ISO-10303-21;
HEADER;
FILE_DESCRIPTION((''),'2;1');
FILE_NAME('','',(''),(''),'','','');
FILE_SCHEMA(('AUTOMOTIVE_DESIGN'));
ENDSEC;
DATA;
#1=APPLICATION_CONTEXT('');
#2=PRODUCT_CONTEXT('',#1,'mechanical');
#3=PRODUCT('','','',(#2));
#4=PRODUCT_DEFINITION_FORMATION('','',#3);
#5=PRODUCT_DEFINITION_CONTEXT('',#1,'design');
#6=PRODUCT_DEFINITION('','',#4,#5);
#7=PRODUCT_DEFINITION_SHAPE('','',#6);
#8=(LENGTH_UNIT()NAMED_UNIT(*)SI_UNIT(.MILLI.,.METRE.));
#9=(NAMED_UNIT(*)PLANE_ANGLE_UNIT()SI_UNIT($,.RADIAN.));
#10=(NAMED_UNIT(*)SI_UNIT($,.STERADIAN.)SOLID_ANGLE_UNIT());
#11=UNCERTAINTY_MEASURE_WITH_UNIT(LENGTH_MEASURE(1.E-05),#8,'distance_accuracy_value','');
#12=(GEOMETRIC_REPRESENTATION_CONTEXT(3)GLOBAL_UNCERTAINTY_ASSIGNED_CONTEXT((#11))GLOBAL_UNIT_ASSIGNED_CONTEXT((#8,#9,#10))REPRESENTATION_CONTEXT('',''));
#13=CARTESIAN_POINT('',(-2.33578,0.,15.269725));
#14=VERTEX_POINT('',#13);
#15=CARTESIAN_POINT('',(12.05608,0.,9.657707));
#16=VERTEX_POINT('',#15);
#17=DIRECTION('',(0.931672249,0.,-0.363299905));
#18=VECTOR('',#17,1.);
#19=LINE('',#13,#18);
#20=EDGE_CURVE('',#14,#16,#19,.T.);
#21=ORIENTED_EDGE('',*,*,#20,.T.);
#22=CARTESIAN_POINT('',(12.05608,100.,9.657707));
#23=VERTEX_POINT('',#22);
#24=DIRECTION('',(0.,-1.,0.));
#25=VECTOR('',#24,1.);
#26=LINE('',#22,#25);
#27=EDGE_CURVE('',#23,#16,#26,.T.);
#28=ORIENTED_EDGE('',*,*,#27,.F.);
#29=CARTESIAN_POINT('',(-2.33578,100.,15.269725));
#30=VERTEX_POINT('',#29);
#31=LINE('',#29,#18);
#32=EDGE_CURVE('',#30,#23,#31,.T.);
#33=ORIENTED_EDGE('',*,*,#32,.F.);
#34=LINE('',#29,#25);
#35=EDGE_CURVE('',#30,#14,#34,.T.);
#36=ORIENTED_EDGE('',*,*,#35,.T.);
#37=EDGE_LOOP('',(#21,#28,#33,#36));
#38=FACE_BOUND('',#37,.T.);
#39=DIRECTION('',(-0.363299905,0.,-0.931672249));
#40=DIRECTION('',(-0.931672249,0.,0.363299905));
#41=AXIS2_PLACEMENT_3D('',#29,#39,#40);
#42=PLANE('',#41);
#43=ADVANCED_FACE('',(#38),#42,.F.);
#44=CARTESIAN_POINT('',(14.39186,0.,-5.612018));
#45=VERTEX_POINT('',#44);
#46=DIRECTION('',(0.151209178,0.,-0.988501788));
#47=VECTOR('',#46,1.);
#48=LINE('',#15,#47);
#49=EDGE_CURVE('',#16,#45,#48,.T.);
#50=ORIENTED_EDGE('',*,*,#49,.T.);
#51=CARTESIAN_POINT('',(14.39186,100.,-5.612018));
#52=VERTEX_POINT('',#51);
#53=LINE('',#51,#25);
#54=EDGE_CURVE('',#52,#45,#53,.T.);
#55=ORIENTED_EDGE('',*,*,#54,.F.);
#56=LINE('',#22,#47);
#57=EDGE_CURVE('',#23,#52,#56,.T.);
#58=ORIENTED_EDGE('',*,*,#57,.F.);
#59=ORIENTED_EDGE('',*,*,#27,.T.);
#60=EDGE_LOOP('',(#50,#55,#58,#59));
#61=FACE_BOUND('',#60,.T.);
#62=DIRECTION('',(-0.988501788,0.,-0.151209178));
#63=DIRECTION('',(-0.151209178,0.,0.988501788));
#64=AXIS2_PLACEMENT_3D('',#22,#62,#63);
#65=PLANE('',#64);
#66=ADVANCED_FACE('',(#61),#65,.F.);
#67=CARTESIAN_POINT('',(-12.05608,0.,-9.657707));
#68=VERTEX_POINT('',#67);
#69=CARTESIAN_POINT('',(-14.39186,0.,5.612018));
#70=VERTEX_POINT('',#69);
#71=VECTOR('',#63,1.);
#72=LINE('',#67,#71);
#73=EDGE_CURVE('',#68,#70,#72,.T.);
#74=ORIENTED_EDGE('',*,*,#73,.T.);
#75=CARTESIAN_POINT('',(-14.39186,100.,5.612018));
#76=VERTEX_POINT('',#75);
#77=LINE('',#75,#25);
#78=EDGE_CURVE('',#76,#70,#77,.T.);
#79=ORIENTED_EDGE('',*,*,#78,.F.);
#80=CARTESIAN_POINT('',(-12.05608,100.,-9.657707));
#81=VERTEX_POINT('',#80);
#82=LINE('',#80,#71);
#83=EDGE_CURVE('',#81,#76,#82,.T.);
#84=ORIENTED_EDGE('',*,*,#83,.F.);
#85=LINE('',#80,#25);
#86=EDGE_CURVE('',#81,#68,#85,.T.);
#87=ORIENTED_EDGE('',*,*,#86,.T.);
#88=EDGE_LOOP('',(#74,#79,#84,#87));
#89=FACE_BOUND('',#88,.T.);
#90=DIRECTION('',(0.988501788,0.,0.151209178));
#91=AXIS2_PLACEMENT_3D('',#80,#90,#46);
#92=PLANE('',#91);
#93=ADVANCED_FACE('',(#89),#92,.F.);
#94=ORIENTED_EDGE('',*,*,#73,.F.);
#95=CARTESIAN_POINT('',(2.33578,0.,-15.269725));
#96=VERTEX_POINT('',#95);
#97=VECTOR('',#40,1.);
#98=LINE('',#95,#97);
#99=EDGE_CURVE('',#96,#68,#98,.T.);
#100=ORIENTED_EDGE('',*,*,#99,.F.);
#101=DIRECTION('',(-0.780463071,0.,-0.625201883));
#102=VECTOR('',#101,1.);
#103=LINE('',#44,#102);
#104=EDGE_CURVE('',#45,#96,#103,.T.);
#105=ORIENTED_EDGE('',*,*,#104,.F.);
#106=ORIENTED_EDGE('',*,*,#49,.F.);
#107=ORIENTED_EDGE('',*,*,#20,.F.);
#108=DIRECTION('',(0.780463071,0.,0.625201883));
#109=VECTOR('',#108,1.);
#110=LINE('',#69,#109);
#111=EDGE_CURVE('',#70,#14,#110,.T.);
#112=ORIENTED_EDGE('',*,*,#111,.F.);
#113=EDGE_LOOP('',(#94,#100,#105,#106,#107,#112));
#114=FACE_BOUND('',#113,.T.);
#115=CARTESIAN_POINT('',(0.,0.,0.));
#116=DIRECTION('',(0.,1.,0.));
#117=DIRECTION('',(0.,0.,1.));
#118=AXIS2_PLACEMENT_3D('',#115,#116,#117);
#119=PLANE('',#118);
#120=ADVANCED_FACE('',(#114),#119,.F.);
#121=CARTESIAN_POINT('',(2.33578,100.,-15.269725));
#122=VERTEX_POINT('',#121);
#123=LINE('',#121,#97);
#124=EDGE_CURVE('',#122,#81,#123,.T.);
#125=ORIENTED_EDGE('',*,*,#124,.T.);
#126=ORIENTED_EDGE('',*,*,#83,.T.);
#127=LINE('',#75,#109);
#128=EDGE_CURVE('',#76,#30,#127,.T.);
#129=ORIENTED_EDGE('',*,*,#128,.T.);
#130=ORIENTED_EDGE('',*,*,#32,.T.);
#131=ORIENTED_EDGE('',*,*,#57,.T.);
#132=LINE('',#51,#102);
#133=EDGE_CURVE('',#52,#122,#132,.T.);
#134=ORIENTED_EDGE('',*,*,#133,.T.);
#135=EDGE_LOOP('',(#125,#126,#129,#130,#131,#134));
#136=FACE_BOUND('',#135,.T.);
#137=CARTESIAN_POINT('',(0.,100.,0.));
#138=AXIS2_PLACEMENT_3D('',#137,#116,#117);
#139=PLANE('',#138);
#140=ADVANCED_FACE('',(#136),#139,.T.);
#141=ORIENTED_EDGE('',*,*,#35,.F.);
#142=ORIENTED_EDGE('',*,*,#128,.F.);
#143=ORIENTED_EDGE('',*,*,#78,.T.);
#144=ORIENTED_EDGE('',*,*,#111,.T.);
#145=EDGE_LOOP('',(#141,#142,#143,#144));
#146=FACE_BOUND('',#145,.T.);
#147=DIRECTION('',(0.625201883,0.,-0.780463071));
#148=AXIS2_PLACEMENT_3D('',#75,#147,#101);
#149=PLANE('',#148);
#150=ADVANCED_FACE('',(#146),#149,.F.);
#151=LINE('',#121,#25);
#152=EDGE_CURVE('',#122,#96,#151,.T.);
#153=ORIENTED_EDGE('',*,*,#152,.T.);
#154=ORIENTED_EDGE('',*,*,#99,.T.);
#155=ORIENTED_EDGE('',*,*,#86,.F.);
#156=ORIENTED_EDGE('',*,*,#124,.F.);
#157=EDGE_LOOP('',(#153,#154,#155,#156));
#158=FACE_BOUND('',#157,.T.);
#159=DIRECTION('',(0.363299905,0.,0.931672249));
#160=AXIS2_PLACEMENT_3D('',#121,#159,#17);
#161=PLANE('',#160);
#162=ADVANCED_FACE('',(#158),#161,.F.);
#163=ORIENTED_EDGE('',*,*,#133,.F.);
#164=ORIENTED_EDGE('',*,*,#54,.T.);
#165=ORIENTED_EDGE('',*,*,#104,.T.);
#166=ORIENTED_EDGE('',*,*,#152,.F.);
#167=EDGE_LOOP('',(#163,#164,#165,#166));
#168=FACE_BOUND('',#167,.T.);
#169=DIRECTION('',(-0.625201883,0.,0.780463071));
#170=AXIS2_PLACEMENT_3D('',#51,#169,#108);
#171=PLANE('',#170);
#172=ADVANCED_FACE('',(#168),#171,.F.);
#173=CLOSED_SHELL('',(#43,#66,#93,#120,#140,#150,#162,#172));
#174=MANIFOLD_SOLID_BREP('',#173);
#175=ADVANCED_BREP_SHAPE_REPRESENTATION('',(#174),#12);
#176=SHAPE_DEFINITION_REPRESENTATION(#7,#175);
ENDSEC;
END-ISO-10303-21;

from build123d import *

# Parameters (mm, degrees)
BOSS_EXTRUDE1_DEPTH = 100


with BuildPart() as part:
    # Sketch1 → Boss-Extrude1 (new body)
    with BuildSketch(Plane(origin=(0, 0, 0), x_dir=(1, 0, 0), z_dir=(0, 1, 0))):
        Polygon((2.335779881, 15.269725195), (-12.056079987, 9.657707313), (-14.391859869, -5.612017883), (-2.335779881, -15.269725195), (12.056079987, -9.657707313), (14.391859869, 5.612017883), align=None)
    extrude(amount=BOSS_EXTRUDE1_DEPTH)


solid = part.part
